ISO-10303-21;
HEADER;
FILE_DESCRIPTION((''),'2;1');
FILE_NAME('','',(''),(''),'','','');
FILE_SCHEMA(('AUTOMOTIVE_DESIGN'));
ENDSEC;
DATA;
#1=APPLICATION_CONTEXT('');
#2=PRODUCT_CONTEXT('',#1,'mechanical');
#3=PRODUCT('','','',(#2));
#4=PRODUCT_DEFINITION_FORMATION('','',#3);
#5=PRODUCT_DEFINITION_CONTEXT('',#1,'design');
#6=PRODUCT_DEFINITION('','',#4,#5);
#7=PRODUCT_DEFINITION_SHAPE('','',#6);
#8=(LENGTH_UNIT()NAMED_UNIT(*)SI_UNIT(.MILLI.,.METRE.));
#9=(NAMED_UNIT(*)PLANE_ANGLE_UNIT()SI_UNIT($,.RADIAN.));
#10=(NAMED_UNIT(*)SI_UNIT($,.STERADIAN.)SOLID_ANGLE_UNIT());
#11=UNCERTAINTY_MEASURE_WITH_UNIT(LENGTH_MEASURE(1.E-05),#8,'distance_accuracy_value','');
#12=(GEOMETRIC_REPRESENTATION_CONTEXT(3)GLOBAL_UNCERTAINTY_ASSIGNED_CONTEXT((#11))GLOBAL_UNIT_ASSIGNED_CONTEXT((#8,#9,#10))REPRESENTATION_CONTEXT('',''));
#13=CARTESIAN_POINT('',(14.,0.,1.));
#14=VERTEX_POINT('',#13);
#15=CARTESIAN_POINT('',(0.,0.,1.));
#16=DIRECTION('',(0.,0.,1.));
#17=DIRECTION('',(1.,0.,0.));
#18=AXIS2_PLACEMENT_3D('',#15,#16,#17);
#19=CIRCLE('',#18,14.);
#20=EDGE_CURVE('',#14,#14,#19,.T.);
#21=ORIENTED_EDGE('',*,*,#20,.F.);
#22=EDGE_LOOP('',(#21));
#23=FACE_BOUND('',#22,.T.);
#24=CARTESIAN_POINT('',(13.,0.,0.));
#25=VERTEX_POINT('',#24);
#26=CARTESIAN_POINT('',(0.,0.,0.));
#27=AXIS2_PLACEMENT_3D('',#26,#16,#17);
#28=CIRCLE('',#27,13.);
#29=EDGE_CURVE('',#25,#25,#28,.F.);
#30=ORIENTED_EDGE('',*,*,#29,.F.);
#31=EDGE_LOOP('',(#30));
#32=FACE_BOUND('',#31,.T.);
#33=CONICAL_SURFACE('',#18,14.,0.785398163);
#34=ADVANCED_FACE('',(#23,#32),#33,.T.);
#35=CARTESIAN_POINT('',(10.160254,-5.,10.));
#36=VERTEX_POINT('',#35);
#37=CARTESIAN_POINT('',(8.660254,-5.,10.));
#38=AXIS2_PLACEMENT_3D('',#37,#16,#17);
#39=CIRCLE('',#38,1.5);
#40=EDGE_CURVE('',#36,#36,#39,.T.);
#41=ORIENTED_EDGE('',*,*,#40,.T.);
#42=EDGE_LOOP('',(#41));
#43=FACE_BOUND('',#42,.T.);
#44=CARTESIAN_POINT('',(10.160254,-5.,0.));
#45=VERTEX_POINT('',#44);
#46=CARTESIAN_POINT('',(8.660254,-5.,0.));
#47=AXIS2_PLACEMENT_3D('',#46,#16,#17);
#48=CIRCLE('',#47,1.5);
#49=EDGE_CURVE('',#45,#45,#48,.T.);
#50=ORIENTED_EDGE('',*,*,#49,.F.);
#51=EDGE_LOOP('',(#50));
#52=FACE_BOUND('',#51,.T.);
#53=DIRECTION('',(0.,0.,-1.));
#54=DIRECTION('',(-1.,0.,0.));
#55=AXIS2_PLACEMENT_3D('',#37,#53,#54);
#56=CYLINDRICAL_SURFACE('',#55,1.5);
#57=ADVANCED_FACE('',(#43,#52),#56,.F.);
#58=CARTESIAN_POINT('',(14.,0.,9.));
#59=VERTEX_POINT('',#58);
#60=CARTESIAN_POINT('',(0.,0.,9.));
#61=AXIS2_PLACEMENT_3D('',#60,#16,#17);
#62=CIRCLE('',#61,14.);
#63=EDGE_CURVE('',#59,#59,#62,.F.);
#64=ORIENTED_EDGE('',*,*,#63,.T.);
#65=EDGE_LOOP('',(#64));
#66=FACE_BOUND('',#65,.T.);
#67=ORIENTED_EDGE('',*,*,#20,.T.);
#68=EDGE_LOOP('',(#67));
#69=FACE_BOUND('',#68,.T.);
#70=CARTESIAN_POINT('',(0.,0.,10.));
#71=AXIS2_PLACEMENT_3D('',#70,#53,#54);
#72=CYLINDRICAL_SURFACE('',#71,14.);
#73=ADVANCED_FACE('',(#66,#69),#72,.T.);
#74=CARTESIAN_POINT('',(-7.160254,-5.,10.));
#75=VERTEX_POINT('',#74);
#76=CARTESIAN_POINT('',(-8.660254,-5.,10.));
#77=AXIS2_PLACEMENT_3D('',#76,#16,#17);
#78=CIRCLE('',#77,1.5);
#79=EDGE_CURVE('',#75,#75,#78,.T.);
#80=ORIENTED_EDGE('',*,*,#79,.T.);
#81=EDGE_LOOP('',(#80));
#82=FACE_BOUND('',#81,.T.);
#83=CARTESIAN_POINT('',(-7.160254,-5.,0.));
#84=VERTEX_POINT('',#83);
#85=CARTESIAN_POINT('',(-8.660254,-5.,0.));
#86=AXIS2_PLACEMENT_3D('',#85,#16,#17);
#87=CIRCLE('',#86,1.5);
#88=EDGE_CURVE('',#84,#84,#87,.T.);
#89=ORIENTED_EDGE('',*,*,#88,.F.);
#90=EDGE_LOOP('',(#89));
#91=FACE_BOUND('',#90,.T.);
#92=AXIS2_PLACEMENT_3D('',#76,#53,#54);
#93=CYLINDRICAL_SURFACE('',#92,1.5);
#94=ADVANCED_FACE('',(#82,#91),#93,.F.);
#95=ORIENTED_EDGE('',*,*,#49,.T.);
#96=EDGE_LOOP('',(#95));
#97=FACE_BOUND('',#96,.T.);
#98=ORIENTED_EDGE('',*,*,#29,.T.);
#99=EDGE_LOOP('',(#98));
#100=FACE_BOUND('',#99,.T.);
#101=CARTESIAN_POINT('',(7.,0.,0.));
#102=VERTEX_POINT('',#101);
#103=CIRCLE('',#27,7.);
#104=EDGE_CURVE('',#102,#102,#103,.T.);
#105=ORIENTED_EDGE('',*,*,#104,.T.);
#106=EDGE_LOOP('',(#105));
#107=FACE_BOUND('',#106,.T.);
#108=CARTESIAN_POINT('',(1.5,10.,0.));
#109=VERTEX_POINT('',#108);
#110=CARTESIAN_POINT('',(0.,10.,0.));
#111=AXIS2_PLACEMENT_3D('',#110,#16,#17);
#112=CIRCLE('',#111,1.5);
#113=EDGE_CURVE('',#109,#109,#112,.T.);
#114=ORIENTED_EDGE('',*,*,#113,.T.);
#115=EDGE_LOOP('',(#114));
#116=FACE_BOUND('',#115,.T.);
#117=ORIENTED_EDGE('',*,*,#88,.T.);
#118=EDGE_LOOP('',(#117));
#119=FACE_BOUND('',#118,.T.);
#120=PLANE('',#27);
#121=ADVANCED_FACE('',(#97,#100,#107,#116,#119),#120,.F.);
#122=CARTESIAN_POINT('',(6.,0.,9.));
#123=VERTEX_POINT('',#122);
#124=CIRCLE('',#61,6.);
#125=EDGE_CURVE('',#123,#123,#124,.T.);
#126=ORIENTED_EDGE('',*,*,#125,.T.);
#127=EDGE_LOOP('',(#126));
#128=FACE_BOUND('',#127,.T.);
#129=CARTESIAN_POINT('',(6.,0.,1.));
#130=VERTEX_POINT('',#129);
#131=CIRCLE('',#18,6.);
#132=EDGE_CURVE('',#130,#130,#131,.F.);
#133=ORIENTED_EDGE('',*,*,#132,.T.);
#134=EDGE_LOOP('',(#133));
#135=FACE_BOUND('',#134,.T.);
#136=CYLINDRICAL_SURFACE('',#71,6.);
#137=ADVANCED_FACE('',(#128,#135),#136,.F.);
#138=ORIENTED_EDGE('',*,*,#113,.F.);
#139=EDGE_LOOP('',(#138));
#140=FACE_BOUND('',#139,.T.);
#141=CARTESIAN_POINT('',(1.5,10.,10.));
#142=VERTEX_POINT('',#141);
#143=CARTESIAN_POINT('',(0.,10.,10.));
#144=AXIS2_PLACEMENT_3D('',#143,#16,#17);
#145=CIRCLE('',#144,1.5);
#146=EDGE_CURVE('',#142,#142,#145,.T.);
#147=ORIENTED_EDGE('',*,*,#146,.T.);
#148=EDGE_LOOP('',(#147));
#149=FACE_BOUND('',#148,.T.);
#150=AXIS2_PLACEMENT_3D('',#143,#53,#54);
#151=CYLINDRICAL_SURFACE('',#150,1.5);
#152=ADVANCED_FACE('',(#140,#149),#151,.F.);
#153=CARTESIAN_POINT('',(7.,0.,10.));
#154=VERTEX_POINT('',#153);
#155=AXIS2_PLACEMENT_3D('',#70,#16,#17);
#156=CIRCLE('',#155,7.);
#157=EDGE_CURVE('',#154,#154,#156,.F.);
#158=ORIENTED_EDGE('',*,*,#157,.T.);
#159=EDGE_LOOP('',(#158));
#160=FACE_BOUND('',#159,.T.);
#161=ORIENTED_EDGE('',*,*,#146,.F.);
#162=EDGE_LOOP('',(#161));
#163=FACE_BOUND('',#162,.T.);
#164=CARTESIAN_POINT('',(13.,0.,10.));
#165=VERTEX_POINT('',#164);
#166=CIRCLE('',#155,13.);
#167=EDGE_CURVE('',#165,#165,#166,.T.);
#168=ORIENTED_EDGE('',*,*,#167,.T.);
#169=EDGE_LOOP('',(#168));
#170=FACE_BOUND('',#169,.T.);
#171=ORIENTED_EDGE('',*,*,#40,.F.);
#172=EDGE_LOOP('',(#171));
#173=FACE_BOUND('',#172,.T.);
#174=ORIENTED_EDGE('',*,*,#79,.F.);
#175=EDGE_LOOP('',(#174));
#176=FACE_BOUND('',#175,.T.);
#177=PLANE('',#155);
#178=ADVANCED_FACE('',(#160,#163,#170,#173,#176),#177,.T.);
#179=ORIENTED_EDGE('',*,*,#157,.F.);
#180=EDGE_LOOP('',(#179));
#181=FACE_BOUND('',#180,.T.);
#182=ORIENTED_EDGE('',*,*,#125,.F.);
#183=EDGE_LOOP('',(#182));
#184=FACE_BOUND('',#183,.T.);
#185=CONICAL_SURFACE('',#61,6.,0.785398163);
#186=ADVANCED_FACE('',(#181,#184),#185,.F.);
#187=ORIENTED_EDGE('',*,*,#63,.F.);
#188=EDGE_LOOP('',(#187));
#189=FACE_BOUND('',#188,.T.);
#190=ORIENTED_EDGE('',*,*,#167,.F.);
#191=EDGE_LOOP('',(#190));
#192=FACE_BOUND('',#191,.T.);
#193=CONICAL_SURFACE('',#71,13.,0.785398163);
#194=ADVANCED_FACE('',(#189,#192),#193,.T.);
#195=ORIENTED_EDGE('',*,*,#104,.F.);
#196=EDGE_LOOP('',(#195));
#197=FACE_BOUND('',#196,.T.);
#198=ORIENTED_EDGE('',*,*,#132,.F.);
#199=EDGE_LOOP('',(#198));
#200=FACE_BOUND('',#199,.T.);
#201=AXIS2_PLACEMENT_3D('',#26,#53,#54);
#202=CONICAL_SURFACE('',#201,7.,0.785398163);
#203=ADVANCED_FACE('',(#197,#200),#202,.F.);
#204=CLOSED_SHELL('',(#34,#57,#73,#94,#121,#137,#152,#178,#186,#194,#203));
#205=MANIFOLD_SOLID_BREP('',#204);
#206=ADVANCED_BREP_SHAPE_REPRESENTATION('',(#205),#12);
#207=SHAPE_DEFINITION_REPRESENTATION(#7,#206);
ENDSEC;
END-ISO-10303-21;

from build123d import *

# Parameters (mm, degrees)
SKETCH1_R           = 14
SKETCH1_R_2         = 6
SKETCH1_R_3         = 1.5
BOSS_EXTRUDE1_DEPTH = 10
CHAMFER1_SIZE       = 1


with BuildPart() as part:
    # Sketch1 → Boss-Extrude1 (new body)
    with BuildSketch(Plane.XY):
        Circle(SKETCH1_R)
        Circle(SKETCH1_R_2, mode=Mode.SUBTRACT)
        with Locations((0, 10)):
            Circle(SKETCH1_R_3, mode=Mode.SUBTRACT)
        with Locations((8.660254038, -5)):
            Circle(SKETCH1_R_3, mode=Mode.SUBTRACT)
        with Locations((-8.660254038, -5)):
            Circle(SKETCH1_R_3, mode=Mode.SUBTRACT)
    extrude(amount=BOSS_EXTRUDE1_DEPTH)

    # Chamfer1
    chamfer1_edges = [part.edges().sort_by_distance(p)[0] for p in [
        (-14, 0, 0),
        (-14, 0, 10),
        (-6, 0, 0),
        (-6, 0, 10),
    ]]
    chamfer(chamfer1_edges, length=CHAMFER1_SIZE)


solid = part.part
